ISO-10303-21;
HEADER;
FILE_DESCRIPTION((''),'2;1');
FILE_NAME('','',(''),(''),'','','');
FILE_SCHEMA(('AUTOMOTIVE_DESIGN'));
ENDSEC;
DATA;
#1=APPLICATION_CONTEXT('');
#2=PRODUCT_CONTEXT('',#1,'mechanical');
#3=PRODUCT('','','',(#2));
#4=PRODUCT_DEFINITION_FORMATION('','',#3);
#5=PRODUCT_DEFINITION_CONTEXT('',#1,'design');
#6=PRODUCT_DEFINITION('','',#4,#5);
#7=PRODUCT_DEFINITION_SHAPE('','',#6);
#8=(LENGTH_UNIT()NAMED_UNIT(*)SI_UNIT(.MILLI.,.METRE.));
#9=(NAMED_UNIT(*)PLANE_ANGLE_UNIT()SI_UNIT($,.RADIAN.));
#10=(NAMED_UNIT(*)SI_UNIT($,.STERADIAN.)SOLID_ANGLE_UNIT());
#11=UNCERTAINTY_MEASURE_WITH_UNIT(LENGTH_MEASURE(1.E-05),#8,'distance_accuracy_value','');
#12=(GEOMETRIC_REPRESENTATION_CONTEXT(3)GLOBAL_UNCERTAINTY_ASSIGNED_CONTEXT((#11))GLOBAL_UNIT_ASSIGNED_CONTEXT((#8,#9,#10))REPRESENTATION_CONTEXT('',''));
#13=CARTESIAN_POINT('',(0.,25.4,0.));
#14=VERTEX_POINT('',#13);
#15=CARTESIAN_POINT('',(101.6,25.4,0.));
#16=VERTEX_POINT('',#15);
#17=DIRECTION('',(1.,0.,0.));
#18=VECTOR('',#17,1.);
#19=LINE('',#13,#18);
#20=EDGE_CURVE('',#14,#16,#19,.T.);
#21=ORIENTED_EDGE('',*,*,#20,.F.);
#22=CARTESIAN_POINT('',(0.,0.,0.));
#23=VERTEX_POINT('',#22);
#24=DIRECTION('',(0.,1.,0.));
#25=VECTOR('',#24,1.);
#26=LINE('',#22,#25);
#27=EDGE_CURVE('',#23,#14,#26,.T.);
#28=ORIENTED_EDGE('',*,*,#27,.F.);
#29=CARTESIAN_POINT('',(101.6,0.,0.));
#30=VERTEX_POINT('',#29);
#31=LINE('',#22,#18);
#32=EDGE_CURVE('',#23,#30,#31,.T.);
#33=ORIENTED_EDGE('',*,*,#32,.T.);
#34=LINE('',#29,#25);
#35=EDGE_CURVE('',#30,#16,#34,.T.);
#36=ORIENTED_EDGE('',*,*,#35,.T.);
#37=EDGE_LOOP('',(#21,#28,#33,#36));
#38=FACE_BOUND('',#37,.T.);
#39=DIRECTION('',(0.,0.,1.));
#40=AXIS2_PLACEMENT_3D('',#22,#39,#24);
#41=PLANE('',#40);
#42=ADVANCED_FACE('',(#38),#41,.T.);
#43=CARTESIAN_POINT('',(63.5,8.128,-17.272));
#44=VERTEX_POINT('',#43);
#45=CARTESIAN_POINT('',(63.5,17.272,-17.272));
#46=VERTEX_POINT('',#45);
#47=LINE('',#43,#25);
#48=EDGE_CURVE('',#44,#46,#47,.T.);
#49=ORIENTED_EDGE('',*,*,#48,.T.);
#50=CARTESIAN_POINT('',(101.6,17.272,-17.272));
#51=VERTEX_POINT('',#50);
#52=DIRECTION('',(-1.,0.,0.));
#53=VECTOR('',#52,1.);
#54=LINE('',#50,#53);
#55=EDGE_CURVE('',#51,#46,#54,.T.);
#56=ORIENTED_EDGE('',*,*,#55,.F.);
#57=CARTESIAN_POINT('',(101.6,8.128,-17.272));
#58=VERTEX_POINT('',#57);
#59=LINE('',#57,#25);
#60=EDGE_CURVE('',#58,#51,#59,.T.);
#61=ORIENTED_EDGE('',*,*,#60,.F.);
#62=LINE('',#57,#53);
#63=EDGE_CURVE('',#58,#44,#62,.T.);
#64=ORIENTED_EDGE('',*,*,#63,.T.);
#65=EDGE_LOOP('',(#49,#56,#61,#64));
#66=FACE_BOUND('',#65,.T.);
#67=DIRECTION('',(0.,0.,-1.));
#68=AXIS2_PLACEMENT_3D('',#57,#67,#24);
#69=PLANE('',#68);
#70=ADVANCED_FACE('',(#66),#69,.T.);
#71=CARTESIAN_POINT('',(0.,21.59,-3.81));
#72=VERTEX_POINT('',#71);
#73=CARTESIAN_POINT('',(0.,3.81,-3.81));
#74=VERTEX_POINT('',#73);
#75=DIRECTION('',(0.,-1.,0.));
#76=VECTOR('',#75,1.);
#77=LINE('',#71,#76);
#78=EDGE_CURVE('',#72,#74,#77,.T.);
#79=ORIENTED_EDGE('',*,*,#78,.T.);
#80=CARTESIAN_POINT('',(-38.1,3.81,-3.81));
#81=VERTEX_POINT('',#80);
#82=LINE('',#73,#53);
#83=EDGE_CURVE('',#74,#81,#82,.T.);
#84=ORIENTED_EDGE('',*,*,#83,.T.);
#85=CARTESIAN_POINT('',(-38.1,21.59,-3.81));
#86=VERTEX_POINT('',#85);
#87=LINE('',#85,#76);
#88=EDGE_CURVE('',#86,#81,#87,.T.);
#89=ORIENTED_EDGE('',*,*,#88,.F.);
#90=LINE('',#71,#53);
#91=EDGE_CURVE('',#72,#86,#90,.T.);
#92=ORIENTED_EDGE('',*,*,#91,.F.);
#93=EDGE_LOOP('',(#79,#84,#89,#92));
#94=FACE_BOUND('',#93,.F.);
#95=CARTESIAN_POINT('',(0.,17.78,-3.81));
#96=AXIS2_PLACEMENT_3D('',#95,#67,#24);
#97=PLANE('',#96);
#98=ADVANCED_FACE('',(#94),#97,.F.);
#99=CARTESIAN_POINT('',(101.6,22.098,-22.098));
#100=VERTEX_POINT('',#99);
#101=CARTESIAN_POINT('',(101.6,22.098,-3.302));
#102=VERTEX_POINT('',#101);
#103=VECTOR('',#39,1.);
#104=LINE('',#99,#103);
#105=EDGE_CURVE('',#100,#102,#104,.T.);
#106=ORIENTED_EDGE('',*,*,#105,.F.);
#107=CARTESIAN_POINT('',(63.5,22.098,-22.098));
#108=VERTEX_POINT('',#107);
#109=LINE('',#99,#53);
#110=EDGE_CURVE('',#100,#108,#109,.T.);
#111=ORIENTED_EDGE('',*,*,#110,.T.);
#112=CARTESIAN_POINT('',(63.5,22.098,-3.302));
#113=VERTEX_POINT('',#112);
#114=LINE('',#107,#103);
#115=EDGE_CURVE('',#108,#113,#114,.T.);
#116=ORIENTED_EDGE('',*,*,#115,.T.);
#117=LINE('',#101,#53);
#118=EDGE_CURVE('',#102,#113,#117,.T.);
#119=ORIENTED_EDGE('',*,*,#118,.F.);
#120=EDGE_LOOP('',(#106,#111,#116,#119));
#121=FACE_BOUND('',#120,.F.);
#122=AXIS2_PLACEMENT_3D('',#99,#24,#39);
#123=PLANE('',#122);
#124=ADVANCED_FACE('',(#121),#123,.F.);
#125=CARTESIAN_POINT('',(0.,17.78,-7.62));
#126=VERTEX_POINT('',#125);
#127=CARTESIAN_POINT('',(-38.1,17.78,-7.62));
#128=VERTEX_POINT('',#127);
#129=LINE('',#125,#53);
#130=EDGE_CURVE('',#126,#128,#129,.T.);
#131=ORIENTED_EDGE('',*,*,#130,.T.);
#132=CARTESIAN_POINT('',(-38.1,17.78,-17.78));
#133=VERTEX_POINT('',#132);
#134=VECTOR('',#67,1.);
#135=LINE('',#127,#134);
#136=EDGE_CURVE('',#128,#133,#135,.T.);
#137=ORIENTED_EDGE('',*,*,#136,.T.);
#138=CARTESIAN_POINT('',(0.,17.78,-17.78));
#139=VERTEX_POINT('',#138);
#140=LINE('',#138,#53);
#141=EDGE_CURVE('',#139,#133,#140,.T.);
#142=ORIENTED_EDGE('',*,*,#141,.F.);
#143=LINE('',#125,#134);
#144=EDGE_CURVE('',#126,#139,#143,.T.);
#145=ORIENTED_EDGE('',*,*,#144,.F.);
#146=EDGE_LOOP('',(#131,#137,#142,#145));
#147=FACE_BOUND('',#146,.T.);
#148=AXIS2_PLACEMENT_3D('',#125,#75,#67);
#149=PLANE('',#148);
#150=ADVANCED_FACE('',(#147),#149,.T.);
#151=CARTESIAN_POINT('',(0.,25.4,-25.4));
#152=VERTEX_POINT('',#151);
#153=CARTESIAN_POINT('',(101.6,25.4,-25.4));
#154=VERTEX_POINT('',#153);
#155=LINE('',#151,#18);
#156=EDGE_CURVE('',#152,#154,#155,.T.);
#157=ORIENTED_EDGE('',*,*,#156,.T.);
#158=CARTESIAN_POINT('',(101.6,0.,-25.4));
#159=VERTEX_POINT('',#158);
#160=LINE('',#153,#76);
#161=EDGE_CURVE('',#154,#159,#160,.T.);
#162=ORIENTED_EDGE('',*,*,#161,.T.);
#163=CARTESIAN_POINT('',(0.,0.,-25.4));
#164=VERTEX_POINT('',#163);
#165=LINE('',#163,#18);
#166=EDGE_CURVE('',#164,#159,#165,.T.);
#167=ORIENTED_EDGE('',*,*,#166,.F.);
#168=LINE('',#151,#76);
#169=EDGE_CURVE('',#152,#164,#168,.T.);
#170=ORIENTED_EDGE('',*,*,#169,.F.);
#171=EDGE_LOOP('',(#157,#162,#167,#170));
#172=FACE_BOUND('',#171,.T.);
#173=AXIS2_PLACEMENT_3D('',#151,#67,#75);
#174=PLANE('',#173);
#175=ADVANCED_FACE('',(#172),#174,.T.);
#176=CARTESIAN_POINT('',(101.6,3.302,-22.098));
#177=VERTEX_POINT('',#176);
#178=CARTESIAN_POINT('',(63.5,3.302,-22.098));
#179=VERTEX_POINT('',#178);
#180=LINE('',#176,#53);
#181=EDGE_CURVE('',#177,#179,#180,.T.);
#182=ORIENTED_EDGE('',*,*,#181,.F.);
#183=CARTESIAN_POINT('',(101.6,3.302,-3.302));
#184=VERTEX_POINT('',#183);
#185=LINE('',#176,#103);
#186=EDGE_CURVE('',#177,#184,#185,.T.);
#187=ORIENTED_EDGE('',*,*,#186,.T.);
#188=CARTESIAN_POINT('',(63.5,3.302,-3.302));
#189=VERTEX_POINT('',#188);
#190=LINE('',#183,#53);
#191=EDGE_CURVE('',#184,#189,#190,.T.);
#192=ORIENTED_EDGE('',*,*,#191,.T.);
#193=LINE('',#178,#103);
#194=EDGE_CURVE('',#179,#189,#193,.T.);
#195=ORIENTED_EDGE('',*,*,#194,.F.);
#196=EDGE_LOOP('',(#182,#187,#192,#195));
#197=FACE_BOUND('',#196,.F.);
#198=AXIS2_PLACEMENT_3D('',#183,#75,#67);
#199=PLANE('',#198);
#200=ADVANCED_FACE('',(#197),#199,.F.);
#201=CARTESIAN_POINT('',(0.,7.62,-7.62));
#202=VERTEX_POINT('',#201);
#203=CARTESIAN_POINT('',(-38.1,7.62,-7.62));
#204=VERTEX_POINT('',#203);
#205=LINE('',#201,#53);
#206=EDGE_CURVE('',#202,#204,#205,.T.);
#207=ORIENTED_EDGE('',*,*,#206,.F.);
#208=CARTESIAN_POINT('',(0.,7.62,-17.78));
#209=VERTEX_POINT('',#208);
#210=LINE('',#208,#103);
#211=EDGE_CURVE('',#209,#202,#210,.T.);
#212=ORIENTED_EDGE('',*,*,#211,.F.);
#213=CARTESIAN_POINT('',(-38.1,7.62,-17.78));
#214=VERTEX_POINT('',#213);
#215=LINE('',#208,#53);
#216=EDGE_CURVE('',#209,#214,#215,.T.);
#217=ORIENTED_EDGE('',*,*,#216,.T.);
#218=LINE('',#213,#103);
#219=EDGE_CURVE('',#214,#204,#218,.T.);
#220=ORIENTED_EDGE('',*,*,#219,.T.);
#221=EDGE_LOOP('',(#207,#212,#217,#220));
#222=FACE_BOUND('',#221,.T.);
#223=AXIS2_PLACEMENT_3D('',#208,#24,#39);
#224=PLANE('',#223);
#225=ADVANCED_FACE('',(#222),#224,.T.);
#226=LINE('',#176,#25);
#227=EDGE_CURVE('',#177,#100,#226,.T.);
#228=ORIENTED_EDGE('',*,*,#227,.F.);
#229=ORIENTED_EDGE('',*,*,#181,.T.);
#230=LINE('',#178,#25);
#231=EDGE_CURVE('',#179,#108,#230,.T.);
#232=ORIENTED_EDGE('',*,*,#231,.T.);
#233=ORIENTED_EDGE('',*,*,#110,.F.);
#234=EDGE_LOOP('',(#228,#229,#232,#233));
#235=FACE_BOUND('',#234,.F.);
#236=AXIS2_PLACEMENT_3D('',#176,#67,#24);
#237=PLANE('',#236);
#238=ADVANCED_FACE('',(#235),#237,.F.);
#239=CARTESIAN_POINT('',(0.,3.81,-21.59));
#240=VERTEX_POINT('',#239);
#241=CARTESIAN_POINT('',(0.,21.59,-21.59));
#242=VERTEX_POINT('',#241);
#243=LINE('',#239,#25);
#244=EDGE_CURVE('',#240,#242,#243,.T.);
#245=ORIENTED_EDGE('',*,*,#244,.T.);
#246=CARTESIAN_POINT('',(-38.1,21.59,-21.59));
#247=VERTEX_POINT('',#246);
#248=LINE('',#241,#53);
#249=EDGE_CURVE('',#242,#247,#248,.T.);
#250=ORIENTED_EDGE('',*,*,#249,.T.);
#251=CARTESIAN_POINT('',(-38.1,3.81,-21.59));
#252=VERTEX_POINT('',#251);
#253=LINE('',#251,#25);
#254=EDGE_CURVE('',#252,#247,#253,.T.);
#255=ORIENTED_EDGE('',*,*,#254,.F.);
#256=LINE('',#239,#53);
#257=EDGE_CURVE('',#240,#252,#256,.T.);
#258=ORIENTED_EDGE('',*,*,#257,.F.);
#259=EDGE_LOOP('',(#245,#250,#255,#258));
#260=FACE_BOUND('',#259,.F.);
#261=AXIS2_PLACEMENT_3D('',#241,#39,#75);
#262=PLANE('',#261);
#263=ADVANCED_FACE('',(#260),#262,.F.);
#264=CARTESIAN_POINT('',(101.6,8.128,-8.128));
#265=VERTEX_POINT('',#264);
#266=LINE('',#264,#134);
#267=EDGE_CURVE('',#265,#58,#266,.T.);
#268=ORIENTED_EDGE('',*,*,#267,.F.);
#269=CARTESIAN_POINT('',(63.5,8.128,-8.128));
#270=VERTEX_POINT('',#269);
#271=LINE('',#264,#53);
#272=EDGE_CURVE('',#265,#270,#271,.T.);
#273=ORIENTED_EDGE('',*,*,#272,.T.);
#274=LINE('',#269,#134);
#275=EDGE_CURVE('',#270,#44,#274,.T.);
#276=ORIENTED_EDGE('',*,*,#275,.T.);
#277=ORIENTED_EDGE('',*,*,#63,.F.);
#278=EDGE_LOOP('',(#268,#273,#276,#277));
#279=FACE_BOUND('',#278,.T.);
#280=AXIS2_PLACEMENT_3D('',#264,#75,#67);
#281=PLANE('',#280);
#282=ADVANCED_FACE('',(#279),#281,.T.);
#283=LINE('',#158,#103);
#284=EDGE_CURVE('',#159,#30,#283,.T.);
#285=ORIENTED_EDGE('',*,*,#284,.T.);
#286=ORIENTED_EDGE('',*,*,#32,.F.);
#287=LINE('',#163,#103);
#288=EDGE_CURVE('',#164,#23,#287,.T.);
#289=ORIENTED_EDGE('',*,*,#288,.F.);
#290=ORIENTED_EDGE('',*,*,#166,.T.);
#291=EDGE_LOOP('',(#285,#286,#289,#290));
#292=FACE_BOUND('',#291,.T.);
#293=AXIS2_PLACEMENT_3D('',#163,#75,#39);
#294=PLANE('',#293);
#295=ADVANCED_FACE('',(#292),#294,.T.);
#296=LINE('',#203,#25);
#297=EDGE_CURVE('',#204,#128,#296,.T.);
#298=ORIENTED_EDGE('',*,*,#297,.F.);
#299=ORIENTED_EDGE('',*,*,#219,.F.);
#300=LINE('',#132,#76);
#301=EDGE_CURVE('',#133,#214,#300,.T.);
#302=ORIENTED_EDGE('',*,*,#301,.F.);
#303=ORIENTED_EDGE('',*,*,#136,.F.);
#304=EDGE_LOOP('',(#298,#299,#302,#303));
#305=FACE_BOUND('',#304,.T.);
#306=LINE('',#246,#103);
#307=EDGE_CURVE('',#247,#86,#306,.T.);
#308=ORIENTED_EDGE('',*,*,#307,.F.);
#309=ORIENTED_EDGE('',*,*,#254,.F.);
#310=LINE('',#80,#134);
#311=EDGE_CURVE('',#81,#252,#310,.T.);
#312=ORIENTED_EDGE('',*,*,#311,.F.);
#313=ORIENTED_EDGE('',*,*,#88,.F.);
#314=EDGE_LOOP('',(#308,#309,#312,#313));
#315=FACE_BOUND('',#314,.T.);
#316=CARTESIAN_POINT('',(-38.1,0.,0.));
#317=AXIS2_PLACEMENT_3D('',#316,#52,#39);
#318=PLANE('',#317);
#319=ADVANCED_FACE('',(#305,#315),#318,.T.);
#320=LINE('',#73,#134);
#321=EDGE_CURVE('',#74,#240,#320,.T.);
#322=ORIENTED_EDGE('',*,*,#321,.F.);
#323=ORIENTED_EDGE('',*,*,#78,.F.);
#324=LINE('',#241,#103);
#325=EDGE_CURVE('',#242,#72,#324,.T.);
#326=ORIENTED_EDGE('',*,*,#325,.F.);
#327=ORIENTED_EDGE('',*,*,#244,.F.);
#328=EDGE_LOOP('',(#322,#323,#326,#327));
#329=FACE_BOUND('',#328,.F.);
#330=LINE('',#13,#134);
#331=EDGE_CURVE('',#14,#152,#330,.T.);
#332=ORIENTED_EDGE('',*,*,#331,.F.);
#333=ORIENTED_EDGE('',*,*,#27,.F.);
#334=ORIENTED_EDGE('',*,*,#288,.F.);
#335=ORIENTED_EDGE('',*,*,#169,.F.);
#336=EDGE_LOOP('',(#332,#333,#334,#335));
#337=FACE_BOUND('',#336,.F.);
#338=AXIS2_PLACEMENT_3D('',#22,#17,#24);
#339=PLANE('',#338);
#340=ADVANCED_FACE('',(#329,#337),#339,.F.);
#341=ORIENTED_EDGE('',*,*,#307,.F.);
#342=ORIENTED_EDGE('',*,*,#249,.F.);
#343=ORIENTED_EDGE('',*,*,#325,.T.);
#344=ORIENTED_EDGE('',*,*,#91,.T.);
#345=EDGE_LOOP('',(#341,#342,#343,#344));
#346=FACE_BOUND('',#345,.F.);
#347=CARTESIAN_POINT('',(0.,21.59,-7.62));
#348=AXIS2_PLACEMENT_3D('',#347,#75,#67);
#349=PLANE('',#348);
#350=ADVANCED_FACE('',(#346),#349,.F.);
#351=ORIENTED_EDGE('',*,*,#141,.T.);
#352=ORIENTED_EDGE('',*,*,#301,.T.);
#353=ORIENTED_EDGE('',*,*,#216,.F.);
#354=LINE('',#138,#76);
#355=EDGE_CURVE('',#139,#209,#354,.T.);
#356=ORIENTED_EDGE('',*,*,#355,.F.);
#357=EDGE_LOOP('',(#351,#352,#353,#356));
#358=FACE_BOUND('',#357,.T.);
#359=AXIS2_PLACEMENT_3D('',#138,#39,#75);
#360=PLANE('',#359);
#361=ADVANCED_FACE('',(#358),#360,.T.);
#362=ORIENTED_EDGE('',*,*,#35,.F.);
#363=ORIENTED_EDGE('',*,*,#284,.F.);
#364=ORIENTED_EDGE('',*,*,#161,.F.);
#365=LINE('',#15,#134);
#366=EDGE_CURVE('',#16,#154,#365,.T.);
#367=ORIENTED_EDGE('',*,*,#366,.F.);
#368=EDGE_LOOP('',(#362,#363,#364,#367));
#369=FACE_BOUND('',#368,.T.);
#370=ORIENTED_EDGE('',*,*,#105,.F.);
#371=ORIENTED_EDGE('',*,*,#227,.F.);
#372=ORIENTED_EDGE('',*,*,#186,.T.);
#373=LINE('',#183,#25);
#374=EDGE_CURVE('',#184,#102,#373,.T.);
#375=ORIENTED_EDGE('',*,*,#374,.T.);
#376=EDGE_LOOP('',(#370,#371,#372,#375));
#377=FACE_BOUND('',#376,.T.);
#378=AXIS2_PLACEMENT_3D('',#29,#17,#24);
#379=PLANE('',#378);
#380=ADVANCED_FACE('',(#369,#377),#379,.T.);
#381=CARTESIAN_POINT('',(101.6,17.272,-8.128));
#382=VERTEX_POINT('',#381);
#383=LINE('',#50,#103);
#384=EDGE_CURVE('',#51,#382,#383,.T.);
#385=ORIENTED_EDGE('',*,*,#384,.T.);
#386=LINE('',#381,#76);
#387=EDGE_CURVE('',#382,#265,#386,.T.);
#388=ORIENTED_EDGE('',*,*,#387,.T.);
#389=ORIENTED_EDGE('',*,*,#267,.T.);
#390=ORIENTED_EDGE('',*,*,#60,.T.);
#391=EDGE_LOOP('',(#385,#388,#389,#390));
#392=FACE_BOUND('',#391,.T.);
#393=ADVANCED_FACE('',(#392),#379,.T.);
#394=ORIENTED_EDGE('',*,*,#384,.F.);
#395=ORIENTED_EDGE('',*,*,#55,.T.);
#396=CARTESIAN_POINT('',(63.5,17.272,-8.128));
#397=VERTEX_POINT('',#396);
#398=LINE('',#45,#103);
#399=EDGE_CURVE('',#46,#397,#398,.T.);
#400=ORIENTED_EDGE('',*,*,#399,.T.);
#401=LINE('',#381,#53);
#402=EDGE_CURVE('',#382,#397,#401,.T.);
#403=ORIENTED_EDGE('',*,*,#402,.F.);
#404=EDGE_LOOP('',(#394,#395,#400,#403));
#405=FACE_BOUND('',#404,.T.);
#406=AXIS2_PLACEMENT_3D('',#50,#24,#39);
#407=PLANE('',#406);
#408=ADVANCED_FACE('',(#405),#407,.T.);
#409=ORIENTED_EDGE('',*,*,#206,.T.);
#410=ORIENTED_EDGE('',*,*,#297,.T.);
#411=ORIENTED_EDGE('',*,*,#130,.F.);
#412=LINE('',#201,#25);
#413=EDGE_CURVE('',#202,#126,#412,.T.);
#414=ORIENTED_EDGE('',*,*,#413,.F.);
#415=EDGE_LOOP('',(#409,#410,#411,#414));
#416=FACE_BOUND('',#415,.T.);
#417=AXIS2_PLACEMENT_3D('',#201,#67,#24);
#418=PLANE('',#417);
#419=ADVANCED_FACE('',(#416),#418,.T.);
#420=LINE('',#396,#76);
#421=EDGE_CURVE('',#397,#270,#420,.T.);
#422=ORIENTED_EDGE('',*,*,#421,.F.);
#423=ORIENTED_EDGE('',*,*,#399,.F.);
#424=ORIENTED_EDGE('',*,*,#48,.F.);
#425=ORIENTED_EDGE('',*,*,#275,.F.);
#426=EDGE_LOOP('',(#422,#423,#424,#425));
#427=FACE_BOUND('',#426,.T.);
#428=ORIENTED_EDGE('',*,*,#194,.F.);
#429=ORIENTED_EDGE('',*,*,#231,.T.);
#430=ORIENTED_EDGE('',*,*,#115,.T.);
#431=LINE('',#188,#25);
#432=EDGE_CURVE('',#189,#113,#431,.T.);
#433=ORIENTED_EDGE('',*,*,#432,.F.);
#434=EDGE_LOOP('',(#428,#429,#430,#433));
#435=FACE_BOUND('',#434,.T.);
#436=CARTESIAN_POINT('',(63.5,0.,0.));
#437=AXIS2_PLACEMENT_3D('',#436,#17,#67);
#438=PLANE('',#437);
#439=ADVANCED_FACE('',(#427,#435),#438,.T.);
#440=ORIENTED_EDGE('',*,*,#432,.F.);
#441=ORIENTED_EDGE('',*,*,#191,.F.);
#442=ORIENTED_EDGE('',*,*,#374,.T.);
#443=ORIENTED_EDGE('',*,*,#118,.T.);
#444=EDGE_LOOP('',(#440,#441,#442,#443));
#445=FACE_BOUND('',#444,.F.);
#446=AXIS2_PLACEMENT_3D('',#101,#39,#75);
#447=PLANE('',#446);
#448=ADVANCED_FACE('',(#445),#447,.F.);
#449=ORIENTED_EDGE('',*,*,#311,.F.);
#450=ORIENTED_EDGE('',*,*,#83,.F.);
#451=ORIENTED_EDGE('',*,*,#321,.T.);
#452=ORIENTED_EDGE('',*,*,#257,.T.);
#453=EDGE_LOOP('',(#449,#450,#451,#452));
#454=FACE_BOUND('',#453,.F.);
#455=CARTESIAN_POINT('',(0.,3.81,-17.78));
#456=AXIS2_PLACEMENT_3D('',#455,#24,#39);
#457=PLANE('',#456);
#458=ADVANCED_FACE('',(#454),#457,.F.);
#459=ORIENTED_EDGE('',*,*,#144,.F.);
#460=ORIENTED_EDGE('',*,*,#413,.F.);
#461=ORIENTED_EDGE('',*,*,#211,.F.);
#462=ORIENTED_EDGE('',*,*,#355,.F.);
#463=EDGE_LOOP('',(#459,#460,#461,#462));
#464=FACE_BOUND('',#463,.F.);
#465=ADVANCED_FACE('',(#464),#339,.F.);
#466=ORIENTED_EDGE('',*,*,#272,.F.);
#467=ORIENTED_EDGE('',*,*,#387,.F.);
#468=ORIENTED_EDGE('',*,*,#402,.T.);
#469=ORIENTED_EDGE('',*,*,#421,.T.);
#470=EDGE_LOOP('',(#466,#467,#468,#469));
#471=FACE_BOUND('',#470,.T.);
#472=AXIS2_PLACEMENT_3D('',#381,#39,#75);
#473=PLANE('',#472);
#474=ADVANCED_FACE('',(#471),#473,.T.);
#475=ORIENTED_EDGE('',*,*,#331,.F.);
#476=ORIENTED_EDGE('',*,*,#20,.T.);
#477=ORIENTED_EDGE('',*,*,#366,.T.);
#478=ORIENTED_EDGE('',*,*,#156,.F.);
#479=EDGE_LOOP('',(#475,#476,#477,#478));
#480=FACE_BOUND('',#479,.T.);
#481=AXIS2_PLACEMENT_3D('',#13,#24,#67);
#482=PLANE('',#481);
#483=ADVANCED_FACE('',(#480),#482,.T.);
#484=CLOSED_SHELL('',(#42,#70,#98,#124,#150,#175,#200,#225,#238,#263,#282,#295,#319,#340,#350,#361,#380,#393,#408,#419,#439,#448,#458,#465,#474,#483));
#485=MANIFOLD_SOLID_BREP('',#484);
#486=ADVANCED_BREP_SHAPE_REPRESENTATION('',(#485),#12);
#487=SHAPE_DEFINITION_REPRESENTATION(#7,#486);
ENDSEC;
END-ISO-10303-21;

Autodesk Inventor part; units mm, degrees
ref_plane "YZ Plane" through (0, 0, 0) normal (1, 0, 0) x (0, 1, 0)
ref_plane "XZ Plane" through (0, 0, 0) normal (0, 1, 0) x (-1, 0, 0)
ref_plane "XY Plane" through (0, 0, 0) normal (0, 0, 1) x (1, 0, 0)
sketch "Sketch1" plane through (0, 0, 0) normal (1, 0, 0) x (0, 1, 0)
  line L0 (0, 0) -> (25.4, 0)
  line L1 (25.4, 0) -> (25.4, -25.4)
  line L2 (25.4, -25.4) -> (0, -25.4)
  line L3 (0, -25.4) -> (0, 0)
  dimension "d0" = 25.4
  dimension "d1" = 25.4
extrude "Extrusion1" add sketch "Sketch1" along normal blind 101.6
sketch "Sketch2" plane through (0, 0, 0) normal (-1, 0, 0) x (0, 0, 1)
  line L0 (-25.4, 0) -> (-25.4, 25.4) projected
  line L1 (-25.4, 0) -> (-21.59, 0)
  line L2 (-21.59, 3.81) -> (-17.78, 3.81)
  line L3 (-21.59, 7.62) -> (-21.59, 3.81)
  line L4 (-3.81, 21.59) -> (-7.62, 21.59)
  line L5 (-3.81, 17.78) -> (-3.81, 21.59)
  line L6 (-21.59, 3.81) -> (-3.81, 3.81)
  line L7 (-3.81, 3.81) -> (-3.81, 21.59)
  line L8 (-3.81, 21.59) -> (-21.59, 21.59)
  line L9 (-21.59, 21.59) -> (-21.59, 3.81)
  line L10 (-17.78, 7.62) -> (-7.62, 7.62)
  line L11 (-7.62, 7.62) -> (-7.62, 17.78)
  line L12 (-7.62, 17.78) -> (-17.78, 17.78)
  line L13 (-17.78, 17.78) -> (-17.78, 7.62)
  point P0 (0, 0)
  point P1 (0, 25.4)
extrude "Extrusion2" add sketch "Sketch2" along normal blind 38.1
sketch "Sketch3" plane through (101.6, 0, 0) normal (1, 0, 0) x (0, 0, -1)
  line L0 (0, 25.4) -> (0, 0) projected
  line L1 (25.4, 25.4) -> (0, 25.4) projected
  line L2 (3.302, 3.81) -> (3.302, 3.302)
  line L3 (3.302, 3.302) -> (3.81, 3.302)
  line L4 (3.302, 3.302) -> (22.098, 3.302)
  line L5 (22.098, 3.302) -> (22.098, 22.098)
  line L6 (22.098, 22.098) -> (3.302, 22.098)
  line L7 (3.302, 22.098) -> (3.302, 3.302)
  line L8 (8.128, 8.128) -> (17.272, 8.128)
  line L9 (17.272, 8.128) -> (17.272, 17.272)
  line L10 (17.272, 17.272) -> (8.128, 17.272)
  line L11 (8.128, 17.272) -> (8.128, 8.128)
  dimension "d32" = 0.508
  dimension "d33" = 0.508
extrude "Extrusion3" cut sketch "Sketch3" against normal blind 38.1
properties part number "Center Piece"
